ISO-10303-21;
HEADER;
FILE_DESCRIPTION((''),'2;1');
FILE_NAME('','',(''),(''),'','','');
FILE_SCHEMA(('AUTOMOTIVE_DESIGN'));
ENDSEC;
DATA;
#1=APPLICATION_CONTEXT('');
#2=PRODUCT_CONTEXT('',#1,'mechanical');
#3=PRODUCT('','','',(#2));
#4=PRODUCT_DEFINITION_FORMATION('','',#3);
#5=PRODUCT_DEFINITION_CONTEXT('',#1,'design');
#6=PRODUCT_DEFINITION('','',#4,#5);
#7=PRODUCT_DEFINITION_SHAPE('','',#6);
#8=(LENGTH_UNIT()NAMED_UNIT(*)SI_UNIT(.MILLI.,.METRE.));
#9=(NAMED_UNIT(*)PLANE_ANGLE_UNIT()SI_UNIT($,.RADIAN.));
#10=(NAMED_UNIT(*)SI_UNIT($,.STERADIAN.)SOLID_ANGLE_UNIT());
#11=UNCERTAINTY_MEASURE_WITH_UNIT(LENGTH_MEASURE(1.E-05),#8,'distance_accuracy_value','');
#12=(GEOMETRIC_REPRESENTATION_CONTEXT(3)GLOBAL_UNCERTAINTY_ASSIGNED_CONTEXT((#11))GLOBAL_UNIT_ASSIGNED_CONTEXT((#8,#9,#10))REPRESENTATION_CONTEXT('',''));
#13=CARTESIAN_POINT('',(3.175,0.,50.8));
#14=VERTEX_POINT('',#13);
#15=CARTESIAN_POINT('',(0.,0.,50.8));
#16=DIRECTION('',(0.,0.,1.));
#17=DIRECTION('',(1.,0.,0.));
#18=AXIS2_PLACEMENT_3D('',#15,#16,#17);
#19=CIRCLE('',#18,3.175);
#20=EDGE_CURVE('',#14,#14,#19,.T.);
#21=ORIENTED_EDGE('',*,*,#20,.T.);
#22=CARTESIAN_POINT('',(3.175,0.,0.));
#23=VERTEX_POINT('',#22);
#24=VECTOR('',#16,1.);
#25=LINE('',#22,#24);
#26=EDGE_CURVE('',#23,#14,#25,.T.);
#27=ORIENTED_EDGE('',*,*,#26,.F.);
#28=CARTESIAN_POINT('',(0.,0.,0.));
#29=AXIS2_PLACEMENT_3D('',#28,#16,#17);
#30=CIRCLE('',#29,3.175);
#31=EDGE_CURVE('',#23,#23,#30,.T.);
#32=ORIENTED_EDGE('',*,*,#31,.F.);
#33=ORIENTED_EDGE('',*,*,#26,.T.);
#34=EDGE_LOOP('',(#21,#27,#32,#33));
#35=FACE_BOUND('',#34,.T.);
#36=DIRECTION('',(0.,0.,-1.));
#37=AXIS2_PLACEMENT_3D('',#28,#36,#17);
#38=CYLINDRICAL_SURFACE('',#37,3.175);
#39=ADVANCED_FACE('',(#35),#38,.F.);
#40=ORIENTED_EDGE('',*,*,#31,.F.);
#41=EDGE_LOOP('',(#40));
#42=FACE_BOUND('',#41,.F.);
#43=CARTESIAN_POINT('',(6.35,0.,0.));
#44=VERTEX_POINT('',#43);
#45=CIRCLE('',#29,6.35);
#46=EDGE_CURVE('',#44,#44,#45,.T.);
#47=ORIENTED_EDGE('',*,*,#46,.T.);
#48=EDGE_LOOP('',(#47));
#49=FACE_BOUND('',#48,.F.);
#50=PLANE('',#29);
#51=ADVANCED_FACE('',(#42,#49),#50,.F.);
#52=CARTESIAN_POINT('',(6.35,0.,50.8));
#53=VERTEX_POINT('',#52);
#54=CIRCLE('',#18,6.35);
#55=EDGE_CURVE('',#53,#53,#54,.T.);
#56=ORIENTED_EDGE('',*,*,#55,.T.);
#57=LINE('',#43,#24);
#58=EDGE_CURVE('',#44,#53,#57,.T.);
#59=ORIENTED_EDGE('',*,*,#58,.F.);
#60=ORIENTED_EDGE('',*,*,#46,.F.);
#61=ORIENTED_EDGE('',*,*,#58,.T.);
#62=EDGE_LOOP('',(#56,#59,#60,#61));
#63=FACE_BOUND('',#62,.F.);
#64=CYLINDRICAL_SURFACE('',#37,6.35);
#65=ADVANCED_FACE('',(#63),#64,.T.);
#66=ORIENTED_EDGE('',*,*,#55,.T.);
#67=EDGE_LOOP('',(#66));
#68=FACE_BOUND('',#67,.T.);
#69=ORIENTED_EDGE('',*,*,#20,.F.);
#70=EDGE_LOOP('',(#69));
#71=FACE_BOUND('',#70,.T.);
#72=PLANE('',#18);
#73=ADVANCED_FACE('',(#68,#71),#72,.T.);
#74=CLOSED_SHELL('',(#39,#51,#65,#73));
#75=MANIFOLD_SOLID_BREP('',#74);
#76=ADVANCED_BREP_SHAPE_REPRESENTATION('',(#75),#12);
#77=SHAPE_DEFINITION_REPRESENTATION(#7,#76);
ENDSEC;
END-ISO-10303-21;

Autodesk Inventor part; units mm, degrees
ref_plane "YZ Plane" through (0, 0, 0) normal (1, 0, 0) x (0, 1, 0)
ref_plane "XZ Plane" through (0, 0, 0) normal (0, 1, 0) x (-1, 0, 0)
ref_plane "XY Plane" through (0, 0, 0) normal (0, 0, 1) x (1, 0, 0)
sketch "Sketch1" plane through (0, 0, 0) normal (0, 0, 1) x (1, 0, 0)
  circle A0 centre (0, 0) radius 6.35
  circle A1 centre (0, 0) radius 3.175
  dimension "d0" = 12.7
  dimension "d1" = 6.35
extrude "Extrusion1" add sketch "Sketch1" along normal blind 50.8
properties part number "SS spacers"
